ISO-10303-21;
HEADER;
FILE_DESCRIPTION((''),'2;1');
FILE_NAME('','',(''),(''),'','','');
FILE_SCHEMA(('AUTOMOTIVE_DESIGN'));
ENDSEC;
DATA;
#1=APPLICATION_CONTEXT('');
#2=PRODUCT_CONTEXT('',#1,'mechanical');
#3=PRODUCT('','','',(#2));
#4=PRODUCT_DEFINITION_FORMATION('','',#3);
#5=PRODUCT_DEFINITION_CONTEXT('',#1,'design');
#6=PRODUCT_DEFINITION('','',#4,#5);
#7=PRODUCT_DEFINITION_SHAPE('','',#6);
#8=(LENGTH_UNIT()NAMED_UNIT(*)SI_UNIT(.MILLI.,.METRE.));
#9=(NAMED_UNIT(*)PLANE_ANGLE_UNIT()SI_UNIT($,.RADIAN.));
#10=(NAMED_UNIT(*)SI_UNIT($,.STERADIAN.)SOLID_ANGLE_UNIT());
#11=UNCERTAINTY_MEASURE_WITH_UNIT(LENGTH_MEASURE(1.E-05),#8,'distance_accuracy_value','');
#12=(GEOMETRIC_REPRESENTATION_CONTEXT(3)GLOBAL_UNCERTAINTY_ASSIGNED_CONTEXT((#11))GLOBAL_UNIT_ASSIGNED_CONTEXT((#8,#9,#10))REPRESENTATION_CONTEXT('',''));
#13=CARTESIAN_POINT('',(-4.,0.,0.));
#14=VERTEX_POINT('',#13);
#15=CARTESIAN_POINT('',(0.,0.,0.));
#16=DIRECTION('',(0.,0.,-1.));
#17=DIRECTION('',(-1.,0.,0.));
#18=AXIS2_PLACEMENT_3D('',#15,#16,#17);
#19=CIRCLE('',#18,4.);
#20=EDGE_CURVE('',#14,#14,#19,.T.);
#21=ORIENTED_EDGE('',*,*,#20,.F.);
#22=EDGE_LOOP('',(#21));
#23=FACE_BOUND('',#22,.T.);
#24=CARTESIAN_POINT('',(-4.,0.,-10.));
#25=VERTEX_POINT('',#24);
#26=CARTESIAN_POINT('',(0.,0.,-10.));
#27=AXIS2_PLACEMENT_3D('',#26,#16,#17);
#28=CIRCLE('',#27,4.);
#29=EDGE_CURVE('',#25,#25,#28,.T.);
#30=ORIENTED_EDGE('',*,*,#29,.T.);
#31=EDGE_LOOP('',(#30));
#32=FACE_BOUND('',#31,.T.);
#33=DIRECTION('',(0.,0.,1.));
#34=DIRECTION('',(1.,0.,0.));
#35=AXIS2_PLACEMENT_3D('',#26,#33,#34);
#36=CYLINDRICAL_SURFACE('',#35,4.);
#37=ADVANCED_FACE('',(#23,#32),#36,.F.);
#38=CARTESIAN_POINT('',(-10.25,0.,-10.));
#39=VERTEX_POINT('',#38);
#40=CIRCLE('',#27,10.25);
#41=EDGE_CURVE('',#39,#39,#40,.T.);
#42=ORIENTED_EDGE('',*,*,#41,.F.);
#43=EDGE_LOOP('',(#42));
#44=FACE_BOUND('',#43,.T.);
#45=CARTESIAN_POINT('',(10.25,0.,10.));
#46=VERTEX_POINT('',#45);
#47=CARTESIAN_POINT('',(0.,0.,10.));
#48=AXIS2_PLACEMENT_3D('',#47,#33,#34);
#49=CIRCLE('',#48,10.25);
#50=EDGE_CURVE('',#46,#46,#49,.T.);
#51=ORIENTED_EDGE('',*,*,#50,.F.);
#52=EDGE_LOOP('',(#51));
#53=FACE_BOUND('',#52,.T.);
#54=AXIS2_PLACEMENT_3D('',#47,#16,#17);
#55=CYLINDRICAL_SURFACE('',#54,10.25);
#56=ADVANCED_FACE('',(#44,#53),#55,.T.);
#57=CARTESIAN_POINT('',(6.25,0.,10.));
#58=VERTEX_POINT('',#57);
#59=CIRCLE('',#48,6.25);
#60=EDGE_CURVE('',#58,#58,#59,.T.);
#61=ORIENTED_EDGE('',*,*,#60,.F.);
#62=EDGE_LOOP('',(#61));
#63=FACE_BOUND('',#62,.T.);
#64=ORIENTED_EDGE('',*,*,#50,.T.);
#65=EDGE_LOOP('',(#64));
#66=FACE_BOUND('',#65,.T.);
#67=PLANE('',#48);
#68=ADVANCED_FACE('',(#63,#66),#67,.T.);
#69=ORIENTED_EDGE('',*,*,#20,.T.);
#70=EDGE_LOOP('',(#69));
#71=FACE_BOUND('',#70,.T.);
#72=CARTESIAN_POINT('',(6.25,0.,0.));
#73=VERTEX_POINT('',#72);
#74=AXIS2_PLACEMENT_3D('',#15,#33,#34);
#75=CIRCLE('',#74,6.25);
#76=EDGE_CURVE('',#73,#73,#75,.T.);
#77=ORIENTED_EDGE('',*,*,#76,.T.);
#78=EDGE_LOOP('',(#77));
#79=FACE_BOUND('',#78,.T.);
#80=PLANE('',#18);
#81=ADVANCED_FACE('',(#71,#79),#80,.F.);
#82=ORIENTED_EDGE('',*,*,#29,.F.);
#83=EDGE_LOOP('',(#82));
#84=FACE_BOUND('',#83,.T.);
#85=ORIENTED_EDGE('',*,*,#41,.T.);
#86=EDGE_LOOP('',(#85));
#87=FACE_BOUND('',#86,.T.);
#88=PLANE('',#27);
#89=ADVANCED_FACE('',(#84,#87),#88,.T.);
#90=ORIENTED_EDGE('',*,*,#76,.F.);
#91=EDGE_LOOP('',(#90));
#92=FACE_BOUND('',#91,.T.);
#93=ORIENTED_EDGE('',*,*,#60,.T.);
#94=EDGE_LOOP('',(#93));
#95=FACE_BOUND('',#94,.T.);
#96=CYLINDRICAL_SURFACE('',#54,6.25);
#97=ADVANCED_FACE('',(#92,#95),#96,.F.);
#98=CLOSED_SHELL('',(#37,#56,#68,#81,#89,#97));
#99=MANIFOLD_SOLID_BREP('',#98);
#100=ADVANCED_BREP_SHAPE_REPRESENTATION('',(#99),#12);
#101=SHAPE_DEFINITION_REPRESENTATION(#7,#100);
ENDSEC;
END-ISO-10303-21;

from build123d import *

# Parameters (mm, degrees)
CROQUIS1_R              = 10.25
CROQUIS1_R_2            = 6.25
SALIENTE_EXTRUIR1_DEPTH = 10
SALIENTE_EXTRUIR2_START = 10
CROQUIS2_R              = 10.25
CROQUIS2_R_2            = 4
SALIENTE_EXTRUIR2_DEPTH = 10


with BuildPart() as part:
    # Croquis1 → Saliente-Extruir1 (new body)
    with BuildSketch(Plane.XY):
        Circle(CROQUIS1_R)
        Circle(CROQUIS1_R_2, mode=Mode.SUBTRACT)
    extrude(amount=SALIENTE_EXTRUIR1_DEPTH)

    # Croquis2 → Saliente-Extruir2 (add)
    with BuildSketch(Plane(origin=(0, 0, 0), x_dir=(-1, 0, 0), z_dir=(0, 0, -1)).offset(SALIENTE_EXTRUIR2_START)):
        Circle(CROQUIS2_R)
        Circle(CROQUIS2_R_2, mode=Mode.SUBTRACT)
    extrude(amount=-SALIENTE_EXTRUIR2_DEPTH)


solid = part.part
